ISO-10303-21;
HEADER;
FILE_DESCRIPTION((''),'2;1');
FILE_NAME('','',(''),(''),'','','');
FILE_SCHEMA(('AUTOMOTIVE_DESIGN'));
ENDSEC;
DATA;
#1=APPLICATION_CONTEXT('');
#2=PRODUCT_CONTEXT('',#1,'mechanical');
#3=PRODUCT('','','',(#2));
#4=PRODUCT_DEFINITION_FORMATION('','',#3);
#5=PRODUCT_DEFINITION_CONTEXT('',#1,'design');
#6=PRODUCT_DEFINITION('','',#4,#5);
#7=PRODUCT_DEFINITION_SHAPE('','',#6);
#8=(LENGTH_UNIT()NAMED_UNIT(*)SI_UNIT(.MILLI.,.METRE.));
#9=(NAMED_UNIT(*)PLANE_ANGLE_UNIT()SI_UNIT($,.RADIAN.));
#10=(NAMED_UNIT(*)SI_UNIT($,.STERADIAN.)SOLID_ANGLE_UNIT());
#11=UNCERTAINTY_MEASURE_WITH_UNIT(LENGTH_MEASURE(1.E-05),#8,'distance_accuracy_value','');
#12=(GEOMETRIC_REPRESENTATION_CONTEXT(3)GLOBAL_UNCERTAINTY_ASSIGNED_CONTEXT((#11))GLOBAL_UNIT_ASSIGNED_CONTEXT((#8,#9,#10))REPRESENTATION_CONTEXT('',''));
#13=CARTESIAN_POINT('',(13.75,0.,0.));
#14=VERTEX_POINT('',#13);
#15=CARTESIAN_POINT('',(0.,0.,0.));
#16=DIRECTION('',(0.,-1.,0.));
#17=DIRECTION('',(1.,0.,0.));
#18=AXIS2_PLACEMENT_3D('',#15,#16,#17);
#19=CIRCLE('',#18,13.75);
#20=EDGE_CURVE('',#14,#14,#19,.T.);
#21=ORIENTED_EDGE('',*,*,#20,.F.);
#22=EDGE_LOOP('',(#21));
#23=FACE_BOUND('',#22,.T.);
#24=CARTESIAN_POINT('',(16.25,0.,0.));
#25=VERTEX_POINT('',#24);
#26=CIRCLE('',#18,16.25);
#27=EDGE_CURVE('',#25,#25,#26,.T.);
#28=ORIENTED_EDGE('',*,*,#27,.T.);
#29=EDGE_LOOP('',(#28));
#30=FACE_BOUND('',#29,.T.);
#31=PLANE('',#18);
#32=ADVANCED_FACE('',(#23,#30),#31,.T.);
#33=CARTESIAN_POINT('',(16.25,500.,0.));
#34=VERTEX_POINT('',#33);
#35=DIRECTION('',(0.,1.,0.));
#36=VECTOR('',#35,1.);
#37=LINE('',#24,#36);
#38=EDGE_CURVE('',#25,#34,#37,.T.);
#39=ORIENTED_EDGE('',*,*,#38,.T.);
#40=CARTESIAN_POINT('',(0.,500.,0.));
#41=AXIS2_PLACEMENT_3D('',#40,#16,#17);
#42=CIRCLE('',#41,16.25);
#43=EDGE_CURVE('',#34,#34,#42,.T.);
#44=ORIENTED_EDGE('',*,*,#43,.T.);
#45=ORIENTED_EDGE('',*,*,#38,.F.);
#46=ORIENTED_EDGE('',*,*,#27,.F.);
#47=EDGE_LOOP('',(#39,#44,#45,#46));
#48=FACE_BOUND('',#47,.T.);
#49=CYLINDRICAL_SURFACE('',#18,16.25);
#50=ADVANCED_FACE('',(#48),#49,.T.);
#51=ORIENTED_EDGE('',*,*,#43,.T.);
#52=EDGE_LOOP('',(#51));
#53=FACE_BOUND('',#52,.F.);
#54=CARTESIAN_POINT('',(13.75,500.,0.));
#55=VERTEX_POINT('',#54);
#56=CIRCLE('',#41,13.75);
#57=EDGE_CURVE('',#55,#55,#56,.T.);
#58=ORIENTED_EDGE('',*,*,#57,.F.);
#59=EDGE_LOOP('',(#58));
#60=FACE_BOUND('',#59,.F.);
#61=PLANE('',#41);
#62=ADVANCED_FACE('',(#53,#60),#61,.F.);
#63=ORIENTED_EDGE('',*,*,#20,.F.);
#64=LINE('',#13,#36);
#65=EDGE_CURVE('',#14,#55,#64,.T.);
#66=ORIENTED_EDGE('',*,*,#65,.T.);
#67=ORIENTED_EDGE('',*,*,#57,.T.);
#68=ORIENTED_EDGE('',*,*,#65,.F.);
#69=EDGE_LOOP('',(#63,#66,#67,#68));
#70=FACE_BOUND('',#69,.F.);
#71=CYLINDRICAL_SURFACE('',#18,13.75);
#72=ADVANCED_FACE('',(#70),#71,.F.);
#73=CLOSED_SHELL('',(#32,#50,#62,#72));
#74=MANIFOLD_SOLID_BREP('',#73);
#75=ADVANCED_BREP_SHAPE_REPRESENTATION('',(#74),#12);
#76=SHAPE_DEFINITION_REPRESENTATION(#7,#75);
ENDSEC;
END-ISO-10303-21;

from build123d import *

# Parameters (mm, degrees)
F0_R     = 16.25
F1_DEPTH = 500
F2_T     = -2.5


with BuildPart() as f1:
    # F0 (on Front) → F1 (new body)
    with BuildSketch(Plane.XZ):
        Circle(F0_R)
    extrude(amount=-F1_DEPTH)

    # F2
    f2_openings = [f1.faces().sort_by_distance(p)[0] for p in [
        (0, 0, 0),
        (0, 500, 0),
    ]]
    offset(amount=F2_T, openings=f2_openings)


solid = f1.part
